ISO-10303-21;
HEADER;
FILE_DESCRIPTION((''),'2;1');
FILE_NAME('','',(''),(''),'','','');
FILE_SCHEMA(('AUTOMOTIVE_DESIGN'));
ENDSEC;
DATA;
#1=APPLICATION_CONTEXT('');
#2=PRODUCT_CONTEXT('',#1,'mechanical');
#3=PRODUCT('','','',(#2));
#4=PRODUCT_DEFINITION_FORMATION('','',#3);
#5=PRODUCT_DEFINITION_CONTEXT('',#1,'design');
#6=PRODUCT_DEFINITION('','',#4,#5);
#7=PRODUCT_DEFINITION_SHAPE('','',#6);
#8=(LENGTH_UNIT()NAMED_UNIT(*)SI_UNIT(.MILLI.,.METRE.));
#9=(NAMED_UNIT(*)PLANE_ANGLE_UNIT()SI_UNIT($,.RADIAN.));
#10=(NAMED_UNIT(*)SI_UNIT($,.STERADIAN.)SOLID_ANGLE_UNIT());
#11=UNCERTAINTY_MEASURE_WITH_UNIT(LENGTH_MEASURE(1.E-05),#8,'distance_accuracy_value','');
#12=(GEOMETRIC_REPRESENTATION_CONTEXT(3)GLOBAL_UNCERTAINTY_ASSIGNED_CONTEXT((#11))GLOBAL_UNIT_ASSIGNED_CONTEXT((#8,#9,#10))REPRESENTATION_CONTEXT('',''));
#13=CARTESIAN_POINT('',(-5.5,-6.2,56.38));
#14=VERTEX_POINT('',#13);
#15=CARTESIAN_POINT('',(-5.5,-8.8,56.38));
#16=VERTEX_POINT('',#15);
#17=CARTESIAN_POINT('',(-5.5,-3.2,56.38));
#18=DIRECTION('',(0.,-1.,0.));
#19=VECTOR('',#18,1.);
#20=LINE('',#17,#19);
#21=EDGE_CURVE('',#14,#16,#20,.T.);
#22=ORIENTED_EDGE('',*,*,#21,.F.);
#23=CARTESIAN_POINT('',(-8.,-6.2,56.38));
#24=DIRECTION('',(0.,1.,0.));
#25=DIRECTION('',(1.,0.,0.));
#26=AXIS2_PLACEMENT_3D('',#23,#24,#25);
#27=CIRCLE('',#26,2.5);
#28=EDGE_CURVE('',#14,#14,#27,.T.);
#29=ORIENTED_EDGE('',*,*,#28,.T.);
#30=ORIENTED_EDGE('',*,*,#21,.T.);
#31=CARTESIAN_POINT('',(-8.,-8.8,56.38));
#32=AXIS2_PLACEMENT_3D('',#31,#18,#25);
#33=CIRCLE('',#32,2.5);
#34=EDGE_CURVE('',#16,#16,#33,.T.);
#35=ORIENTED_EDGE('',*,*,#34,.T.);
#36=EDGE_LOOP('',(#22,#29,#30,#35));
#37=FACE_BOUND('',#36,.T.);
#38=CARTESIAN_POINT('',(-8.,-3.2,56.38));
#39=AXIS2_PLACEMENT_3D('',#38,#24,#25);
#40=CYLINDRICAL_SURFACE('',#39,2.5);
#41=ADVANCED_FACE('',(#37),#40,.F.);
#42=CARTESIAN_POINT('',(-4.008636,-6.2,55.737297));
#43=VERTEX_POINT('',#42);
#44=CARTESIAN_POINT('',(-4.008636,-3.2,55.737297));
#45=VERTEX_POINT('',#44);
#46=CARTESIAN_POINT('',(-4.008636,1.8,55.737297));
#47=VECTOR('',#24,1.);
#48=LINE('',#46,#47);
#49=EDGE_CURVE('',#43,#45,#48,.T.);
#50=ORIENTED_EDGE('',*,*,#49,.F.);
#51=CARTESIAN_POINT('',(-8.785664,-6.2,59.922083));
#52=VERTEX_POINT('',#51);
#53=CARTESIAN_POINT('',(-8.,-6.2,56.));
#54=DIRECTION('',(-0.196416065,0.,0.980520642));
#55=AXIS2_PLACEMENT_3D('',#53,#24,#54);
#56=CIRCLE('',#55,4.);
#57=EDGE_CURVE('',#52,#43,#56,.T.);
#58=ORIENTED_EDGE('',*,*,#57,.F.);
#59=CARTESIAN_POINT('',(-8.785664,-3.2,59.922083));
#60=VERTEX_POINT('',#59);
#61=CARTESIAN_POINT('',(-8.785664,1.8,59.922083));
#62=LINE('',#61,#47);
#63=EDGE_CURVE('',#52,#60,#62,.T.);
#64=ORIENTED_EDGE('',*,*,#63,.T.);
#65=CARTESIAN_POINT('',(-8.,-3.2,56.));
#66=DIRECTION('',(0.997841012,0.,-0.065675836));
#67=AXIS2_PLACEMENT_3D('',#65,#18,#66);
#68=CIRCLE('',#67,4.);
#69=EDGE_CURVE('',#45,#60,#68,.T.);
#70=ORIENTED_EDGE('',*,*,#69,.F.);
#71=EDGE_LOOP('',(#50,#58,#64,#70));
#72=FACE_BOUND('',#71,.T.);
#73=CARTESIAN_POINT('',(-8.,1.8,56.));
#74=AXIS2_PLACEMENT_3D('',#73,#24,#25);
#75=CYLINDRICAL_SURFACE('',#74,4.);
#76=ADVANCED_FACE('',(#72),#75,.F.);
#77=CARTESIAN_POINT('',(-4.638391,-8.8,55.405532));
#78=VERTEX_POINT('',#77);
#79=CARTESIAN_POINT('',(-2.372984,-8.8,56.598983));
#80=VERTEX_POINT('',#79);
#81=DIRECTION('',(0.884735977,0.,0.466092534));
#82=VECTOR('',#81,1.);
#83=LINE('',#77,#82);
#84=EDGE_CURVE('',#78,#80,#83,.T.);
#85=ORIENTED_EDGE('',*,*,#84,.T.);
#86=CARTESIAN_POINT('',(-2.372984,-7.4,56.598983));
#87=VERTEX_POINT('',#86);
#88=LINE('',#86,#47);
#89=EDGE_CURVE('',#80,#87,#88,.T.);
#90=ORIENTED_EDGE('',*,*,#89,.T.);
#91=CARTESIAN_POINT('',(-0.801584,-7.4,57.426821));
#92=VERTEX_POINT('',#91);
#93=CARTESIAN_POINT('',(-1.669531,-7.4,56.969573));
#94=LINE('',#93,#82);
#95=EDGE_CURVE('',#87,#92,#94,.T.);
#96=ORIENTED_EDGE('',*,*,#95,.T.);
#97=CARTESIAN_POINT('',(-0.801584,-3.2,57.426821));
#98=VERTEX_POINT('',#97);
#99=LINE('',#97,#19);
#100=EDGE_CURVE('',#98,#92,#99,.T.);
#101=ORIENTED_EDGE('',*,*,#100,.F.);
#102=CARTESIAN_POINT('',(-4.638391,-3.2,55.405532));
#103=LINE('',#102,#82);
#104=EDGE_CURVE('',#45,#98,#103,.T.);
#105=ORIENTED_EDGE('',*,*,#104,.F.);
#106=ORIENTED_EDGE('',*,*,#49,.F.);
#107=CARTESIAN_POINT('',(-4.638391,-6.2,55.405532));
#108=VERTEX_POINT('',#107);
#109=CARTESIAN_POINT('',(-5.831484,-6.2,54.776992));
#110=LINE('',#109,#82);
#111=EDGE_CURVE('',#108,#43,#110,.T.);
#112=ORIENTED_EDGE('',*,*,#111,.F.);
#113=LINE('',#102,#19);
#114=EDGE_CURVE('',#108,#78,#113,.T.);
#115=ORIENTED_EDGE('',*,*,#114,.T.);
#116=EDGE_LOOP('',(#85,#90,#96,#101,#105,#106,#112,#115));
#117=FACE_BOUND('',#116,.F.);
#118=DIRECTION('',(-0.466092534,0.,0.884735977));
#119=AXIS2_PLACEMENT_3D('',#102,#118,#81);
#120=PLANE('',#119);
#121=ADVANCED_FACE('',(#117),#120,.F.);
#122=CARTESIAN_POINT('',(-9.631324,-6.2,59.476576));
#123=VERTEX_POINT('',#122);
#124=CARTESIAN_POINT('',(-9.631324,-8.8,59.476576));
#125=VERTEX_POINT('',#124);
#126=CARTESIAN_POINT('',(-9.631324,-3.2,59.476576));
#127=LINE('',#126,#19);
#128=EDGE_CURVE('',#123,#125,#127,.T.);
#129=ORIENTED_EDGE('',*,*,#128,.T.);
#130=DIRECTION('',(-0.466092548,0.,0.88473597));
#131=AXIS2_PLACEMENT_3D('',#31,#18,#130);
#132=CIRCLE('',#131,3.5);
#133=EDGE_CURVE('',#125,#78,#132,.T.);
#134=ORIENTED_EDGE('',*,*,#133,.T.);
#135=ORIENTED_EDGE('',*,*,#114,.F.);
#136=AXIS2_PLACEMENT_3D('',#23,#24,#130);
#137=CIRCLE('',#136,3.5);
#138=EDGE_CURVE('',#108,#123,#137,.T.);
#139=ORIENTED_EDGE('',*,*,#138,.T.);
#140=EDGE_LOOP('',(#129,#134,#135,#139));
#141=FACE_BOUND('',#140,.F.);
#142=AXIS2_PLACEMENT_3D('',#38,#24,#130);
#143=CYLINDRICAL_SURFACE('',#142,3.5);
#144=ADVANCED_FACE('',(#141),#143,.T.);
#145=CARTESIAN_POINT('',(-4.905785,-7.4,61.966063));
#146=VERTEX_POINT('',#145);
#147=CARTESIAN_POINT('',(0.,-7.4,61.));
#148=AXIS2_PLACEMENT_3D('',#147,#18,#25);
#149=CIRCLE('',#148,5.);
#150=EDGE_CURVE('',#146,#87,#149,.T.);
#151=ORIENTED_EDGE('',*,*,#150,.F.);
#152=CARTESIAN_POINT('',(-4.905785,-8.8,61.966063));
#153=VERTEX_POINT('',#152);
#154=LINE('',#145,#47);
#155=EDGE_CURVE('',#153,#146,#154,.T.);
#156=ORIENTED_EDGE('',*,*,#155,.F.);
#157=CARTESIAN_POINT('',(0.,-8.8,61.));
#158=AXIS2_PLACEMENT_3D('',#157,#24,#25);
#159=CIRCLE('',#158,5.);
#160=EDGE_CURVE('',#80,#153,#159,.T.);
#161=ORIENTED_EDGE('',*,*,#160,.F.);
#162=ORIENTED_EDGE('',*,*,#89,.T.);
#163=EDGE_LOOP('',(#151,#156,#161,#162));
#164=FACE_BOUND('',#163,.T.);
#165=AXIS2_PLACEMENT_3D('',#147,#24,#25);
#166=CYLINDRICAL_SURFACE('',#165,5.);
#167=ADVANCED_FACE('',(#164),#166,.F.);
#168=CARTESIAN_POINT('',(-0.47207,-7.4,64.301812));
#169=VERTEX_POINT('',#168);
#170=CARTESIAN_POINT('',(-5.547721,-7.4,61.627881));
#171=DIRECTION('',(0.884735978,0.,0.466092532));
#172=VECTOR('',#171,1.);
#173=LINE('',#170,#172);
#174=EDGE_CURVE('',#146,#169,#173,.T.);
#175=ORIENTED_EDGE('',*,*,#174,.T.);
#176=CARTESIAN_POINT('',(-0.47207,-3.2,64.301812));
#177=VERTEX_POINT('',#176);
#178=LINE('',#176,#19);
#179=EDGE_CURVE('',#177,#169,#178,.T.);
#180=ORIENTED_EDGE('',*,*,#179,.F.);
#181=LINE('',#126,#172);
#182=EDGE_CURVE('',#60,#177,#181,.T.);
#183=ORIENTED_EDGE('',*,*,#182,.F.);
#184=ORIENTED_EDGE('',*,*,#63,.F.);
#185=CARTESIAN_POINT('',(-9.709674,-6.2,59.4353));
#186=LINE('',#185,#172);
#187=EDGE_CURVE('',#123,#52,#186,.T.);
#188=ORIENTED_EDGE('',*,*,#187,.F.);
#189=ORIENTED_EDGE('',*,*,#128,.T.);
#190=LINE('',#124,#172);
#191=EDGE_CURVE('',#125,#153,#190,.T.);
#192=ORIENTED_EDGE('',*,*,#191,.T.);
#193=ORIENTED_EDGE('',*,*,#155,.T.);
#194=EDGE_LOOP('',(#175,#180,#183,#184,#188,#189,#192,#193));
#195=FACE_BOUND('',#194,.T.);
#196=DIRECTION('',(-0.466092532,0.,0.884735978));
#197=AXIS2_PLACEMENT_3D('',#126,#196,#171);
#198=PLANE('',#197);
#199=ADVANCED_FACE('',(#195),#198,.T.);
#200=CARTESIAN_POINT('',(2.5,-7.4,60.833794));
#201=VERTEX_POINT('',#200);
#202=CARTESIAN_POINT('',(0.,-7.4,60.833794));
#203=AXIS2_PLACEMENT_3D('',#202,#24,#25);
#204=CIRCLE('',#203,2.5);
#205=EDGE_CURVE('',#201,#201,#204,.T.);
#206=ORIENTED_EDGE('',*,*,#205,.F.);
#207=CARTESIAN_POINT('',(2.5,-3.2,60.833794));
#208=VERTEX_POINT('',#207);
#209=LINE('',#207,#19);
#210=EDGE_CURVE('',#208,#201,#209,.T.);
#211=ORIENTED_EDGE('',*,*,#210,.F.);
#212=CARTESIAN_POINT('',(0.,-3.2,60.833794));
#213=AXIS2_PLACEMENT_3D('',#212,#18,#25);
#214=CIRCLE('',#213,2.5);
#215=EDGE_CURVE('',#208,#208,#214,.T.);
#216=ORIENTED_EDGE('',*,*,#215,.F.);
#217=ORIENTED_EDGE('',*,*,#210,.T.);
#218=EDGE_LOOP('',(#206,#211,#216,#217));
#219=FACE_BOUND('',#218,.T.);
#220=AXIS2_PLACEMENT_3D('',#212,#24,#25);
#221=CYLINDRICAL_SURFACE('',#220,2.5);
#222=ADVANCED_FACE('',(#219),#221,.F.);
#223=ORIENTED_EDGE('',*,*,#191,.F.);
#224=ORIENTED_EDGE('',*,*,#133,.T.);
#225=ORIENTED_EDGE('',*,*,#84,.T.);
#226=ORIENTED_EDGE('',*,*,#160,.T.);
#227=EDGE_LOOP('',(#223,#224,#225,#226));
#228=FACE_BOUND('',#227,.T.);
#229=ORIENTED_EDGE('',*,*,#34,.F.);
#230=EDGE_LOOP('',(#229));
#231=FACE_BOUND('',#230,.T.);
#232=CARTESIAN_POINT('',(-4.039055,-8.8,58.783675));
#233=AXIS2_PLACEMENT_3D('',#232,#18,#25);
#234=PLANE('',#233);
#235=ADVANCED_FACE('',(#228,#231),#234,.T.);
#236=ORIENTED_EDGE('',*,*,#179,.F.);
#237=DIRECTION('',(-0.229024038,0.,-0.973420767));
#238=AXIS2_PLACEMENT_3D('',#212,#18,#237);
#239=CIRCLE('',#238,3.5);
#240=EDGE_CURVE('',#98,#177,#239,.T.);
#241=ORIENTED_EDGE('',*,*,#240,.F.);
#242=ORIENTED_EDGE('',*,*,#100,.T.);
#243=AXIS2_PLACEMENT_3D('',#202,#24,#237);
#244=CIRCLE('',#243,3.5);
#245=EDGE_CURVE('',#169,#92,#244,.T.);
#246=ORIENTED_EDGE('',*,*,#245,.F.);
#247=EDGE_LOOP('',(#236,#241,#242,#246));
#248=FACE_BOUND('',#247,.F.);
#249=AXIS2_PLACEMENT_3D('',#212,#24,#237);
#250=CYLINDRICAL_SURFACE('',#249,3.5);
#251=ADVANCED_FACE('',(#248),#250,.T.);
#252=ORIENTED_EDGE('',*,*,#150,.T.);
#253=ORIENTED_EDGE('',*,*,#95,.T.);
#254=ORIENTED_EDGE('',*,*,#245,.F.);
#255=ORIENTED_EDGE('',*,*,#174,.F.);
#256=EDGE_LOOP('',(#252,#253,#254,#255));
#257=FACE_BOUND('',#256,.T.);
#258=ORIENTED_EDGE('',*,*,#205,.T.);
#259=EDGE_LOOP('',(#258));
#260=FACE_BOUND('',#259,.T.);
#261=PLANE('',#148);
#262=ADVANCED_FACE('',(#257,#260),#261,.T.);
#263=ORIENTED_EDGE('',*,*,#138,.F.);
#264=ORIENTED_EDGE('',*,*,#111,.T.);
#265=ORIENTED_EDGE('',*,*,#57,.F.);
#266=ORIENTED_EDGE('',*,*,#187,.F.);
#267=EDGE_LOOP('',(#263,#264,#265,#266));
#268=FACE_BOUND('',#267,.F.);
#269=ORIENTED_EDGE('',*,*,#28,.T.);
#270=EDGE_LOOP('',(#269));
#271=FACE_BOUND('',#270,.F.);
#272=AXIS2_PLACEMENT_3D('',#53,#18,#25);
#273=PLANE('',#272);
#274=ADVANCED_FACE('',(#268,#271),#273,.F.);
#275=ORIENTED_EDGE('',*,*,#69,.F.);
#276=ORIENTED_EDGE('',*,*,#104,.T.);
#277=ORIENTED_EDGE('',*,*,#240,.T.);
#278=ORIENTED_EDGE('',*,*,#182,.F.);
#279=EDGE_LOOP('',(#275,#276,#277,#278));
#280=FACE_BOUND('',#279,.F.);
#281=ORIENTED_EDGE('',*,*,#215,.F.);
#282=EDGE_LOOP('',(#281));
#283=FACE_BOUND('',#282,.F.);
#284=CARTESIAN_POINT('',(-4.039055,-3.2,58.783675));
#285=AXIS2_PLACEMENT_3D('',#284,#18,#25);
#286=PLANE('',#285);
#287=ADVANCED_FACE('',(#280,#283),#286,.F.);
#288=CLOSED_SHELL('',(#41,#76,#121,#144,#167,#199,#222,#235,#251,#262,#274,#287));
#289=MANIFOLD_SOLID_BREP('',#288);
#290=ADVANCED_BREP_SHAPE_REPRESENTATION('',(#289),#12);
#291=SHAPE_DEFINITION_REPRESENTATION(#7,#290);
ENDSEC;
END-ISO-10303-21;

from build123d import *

# Parameters (mm, degrees)
SKETCH011_R       = 2.5
PAD009_DEPTH      = 5.6
CYLINDER006_R     = 4
CYLINDER006_DEPTH = 8
CYLINDER007_R     = 5
CYLINDER007_DEPTH = 10


with BuildPart() as part:
    # Sketch011 → Pad009 (new body)
    with BuildSketch(Plane.XZ.offset(3.2)):
        with BuildLine():
            ThreePointArc((-0.801584, 57.426821), (3.495987, 60.666233), (-0.47207, 64.301812))
            Line((-9.631324, 59.476576), (-0.47207, 64.301812))
            ThreePointArc((-9.631324, 59.476576), (-10.211746, 53.667403), (-4.638391, 55.405532))
            Line((-4.638391, 55.405532), (-0.801584, 57.426821))
        make_face()
        with Locations((-8, 56.38)):
            Circle(SKETCH011_R, mode=Mode.SUBTRACT)
        with Locations((0, 60.833794)):
            Circle(SKETCH011_R, mode=Mode.SUBTRACT)
    extrude(amount=PAD009_DEPTH)

    # Cylinder006 → Cylinder006 (cut)
    with BuildSketch(Plane(origin=(-8, 1.8, 56), x_dir=(1, 0, 0), z_dir=(0, -1, 0))):
        Circle(CYLINDER006_R)
    extrude(amount=CYLINDER006_DEPTH, mode=Mode.SUBTRACT)

    # Cylinder007 → Cylinder007 (cut)
    with BuildSketch(Plane(origin=(0, -7.4, 61), x_dir=(1, 0, 0), z_dir=(0, -1, 0))):
        Circle(CYLINDER007_R)
    extrude(amount=CYLINDER007_DEPTH, mode=Mode.SUBTRACT)


solid = part.part
